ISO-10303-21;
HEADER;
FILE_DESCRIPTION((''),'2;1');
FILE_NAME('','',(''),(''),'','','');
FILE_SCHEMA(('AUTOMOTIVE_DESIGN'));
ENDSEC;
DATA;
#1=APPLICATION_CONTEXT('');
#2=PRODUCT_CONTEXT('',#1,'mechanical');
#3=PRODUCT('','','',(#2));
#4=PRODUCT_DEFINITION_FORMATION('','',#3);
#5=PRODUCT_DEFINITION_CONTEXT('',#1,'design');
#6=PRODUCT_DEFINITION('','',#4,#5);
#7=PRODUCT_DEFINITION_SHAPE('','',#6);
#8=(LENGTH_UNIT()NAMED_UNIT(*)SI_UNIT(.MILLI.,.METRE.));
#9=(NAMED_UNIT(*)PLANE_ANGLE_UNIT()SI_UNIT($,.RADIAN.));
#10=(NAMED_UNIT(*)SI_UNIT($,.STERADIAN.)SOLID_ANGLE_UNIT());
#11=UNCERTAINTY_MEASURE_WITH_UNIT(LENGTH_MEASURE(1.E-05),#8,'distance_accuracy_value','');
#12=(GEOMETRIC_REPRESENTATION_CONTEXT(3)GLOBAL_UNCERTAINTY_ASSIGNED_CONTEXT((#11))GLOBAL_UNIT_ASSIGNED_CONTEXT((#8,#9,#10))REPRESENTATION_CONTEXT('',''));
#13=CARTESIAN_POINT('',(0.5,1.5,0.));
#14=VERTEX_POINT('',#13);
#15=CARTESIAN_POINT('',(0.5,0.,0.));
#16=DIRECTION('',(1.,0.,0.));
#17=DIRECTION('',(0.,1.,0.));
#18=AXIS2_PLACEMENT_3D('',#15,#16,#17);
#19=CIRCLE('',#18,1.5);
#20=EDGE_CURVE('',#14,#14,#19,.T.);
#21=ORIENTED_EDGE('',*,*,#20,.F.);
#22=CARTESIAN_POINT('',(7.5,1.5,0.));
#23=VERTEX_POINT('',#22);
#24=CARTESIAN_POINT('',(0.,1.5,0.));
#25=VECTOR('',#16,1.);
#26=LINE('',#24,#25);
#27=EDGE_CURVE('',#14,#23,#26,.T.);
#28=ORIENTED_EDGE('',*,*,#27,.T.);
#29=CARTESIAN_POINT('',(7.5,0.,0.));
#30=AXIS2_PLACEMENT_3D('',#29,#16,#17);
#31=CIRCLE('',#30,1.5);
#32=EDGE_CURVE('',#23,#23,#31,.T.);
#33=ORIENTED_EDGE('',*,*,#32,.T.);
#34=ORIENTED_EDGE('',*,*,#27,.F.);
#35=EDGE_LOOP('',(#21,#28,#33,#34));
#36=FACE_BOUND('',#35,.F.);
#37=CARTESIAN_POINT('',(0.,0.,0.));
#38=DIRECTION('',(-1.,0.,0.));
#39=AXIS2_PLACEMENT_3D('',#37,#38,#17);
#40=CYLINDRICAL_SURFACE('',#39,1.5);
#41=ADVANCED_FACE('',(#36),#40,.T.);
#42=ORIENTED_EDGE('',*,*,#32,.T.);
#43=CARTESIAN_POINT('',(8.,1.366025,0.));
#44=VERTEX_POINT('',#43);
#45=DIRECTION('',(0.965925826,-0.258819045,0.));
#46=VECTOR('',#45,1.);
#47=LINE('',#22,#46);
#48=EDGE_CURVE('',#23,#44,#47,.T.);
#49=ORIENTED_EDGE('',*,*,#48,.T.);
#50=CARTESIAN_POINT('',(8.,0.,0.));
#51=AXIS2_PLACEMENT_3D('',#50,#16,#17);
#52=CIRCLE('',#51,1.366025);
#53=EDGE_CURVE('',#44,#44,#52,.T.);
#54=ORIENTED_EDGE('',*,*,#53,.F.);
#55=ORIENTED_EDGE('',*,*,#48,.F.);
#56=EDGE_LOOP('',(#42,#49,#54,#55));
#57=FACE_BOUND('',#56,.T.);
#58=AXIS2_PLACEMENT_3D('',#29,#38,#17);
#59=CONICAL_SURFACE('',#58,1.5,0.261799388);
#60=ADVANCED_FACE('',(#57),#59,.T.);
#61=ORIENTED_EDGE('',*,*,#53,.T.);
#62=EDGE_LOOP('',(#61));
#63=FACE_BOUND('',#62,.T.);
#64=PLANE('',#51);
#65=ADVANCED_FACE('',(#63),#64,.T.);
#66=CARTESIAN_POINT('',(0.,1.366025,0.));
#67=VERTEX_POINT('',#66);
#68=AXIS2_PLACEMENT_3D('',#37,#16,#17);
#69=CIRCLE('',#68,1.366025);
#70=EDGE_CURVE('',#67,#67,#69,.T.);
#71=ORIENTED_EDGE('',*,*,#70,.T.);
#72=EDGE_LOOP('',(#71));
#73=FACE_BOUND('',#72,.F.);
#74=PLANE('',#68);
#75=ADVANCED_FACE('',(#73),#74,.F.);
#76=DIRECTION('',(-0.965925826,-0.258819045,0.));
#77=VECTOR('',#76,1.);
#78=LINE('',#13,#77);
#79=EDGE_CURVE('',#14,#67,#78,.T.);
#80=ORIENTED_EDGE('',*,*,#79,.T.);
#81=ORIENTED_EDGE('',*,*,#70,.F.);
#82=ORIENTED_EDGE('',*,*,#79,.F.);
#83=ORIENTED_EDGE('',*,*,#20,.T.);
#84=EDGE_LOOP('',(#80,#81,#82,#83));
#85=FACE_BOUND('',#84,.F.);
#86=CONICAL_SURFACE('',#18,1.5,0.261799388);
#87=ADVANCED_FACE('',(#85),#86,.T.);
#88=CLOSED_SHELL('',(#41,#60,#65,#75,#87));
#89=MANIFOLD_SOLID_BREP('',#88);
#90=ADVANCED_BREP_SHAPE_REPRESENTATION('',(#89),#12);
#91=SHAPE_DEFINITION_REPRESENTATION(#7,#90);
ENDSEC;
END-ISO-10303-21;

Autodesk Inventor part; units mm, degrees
ref_plane "YZ Plane" through (0, 0, 0) normal (1, 0, 0) x (0, 1, 0)
ref_plane "XZ Plane" through (0, 0, 0) normal (0, 1, 0) x (-1, 0, 0)
ref_plane "XY Plane" through (0, 0, 0) normal (0, 0, 1) x (1, 0, 0)
sketch "Skizze" plane through (0, 0, 0) normal (1, 0, 0) x (0, 1, 0)
  circle A0 centre (0, 0) radius 1.5
  dimension "d1" = 3
extrude "Körper" add sketch "Skizze" along normal blind 8
chamfer "Fase1" distance 0.5 angle 15 1 edges at (0, -1.5, 0) measured on face at (5.3333, 1.4951, -0.1207)
chamfer "Skizze2" distance 0.5 angle 15 1 edges at (8, -1.5, 0) measured on face at (5.5, 1.4951, -0.1207)
equation "\"d1\" = NND"
equation "\"d2\" = NLG"
equation "\"d8\" = PHH"
equation "\"d9\" = FAWI"
equation "\"d12\" = PHH"
equation "\"d4\" = PHH"
equation "\"d5\" = FAWI"
equation "\"d11\" = PHH"
equation "\"NND\" = 3"
equation "\"NLG\" = 8"
equation "\"PHH\" = 0.5"
equation "\"FAWI\" = 15deg"
equation "\"KAH\" = 0"
properties part number "ISO 2338 - 3 m6 x 8" material "Edelstahl, austenitisch"
